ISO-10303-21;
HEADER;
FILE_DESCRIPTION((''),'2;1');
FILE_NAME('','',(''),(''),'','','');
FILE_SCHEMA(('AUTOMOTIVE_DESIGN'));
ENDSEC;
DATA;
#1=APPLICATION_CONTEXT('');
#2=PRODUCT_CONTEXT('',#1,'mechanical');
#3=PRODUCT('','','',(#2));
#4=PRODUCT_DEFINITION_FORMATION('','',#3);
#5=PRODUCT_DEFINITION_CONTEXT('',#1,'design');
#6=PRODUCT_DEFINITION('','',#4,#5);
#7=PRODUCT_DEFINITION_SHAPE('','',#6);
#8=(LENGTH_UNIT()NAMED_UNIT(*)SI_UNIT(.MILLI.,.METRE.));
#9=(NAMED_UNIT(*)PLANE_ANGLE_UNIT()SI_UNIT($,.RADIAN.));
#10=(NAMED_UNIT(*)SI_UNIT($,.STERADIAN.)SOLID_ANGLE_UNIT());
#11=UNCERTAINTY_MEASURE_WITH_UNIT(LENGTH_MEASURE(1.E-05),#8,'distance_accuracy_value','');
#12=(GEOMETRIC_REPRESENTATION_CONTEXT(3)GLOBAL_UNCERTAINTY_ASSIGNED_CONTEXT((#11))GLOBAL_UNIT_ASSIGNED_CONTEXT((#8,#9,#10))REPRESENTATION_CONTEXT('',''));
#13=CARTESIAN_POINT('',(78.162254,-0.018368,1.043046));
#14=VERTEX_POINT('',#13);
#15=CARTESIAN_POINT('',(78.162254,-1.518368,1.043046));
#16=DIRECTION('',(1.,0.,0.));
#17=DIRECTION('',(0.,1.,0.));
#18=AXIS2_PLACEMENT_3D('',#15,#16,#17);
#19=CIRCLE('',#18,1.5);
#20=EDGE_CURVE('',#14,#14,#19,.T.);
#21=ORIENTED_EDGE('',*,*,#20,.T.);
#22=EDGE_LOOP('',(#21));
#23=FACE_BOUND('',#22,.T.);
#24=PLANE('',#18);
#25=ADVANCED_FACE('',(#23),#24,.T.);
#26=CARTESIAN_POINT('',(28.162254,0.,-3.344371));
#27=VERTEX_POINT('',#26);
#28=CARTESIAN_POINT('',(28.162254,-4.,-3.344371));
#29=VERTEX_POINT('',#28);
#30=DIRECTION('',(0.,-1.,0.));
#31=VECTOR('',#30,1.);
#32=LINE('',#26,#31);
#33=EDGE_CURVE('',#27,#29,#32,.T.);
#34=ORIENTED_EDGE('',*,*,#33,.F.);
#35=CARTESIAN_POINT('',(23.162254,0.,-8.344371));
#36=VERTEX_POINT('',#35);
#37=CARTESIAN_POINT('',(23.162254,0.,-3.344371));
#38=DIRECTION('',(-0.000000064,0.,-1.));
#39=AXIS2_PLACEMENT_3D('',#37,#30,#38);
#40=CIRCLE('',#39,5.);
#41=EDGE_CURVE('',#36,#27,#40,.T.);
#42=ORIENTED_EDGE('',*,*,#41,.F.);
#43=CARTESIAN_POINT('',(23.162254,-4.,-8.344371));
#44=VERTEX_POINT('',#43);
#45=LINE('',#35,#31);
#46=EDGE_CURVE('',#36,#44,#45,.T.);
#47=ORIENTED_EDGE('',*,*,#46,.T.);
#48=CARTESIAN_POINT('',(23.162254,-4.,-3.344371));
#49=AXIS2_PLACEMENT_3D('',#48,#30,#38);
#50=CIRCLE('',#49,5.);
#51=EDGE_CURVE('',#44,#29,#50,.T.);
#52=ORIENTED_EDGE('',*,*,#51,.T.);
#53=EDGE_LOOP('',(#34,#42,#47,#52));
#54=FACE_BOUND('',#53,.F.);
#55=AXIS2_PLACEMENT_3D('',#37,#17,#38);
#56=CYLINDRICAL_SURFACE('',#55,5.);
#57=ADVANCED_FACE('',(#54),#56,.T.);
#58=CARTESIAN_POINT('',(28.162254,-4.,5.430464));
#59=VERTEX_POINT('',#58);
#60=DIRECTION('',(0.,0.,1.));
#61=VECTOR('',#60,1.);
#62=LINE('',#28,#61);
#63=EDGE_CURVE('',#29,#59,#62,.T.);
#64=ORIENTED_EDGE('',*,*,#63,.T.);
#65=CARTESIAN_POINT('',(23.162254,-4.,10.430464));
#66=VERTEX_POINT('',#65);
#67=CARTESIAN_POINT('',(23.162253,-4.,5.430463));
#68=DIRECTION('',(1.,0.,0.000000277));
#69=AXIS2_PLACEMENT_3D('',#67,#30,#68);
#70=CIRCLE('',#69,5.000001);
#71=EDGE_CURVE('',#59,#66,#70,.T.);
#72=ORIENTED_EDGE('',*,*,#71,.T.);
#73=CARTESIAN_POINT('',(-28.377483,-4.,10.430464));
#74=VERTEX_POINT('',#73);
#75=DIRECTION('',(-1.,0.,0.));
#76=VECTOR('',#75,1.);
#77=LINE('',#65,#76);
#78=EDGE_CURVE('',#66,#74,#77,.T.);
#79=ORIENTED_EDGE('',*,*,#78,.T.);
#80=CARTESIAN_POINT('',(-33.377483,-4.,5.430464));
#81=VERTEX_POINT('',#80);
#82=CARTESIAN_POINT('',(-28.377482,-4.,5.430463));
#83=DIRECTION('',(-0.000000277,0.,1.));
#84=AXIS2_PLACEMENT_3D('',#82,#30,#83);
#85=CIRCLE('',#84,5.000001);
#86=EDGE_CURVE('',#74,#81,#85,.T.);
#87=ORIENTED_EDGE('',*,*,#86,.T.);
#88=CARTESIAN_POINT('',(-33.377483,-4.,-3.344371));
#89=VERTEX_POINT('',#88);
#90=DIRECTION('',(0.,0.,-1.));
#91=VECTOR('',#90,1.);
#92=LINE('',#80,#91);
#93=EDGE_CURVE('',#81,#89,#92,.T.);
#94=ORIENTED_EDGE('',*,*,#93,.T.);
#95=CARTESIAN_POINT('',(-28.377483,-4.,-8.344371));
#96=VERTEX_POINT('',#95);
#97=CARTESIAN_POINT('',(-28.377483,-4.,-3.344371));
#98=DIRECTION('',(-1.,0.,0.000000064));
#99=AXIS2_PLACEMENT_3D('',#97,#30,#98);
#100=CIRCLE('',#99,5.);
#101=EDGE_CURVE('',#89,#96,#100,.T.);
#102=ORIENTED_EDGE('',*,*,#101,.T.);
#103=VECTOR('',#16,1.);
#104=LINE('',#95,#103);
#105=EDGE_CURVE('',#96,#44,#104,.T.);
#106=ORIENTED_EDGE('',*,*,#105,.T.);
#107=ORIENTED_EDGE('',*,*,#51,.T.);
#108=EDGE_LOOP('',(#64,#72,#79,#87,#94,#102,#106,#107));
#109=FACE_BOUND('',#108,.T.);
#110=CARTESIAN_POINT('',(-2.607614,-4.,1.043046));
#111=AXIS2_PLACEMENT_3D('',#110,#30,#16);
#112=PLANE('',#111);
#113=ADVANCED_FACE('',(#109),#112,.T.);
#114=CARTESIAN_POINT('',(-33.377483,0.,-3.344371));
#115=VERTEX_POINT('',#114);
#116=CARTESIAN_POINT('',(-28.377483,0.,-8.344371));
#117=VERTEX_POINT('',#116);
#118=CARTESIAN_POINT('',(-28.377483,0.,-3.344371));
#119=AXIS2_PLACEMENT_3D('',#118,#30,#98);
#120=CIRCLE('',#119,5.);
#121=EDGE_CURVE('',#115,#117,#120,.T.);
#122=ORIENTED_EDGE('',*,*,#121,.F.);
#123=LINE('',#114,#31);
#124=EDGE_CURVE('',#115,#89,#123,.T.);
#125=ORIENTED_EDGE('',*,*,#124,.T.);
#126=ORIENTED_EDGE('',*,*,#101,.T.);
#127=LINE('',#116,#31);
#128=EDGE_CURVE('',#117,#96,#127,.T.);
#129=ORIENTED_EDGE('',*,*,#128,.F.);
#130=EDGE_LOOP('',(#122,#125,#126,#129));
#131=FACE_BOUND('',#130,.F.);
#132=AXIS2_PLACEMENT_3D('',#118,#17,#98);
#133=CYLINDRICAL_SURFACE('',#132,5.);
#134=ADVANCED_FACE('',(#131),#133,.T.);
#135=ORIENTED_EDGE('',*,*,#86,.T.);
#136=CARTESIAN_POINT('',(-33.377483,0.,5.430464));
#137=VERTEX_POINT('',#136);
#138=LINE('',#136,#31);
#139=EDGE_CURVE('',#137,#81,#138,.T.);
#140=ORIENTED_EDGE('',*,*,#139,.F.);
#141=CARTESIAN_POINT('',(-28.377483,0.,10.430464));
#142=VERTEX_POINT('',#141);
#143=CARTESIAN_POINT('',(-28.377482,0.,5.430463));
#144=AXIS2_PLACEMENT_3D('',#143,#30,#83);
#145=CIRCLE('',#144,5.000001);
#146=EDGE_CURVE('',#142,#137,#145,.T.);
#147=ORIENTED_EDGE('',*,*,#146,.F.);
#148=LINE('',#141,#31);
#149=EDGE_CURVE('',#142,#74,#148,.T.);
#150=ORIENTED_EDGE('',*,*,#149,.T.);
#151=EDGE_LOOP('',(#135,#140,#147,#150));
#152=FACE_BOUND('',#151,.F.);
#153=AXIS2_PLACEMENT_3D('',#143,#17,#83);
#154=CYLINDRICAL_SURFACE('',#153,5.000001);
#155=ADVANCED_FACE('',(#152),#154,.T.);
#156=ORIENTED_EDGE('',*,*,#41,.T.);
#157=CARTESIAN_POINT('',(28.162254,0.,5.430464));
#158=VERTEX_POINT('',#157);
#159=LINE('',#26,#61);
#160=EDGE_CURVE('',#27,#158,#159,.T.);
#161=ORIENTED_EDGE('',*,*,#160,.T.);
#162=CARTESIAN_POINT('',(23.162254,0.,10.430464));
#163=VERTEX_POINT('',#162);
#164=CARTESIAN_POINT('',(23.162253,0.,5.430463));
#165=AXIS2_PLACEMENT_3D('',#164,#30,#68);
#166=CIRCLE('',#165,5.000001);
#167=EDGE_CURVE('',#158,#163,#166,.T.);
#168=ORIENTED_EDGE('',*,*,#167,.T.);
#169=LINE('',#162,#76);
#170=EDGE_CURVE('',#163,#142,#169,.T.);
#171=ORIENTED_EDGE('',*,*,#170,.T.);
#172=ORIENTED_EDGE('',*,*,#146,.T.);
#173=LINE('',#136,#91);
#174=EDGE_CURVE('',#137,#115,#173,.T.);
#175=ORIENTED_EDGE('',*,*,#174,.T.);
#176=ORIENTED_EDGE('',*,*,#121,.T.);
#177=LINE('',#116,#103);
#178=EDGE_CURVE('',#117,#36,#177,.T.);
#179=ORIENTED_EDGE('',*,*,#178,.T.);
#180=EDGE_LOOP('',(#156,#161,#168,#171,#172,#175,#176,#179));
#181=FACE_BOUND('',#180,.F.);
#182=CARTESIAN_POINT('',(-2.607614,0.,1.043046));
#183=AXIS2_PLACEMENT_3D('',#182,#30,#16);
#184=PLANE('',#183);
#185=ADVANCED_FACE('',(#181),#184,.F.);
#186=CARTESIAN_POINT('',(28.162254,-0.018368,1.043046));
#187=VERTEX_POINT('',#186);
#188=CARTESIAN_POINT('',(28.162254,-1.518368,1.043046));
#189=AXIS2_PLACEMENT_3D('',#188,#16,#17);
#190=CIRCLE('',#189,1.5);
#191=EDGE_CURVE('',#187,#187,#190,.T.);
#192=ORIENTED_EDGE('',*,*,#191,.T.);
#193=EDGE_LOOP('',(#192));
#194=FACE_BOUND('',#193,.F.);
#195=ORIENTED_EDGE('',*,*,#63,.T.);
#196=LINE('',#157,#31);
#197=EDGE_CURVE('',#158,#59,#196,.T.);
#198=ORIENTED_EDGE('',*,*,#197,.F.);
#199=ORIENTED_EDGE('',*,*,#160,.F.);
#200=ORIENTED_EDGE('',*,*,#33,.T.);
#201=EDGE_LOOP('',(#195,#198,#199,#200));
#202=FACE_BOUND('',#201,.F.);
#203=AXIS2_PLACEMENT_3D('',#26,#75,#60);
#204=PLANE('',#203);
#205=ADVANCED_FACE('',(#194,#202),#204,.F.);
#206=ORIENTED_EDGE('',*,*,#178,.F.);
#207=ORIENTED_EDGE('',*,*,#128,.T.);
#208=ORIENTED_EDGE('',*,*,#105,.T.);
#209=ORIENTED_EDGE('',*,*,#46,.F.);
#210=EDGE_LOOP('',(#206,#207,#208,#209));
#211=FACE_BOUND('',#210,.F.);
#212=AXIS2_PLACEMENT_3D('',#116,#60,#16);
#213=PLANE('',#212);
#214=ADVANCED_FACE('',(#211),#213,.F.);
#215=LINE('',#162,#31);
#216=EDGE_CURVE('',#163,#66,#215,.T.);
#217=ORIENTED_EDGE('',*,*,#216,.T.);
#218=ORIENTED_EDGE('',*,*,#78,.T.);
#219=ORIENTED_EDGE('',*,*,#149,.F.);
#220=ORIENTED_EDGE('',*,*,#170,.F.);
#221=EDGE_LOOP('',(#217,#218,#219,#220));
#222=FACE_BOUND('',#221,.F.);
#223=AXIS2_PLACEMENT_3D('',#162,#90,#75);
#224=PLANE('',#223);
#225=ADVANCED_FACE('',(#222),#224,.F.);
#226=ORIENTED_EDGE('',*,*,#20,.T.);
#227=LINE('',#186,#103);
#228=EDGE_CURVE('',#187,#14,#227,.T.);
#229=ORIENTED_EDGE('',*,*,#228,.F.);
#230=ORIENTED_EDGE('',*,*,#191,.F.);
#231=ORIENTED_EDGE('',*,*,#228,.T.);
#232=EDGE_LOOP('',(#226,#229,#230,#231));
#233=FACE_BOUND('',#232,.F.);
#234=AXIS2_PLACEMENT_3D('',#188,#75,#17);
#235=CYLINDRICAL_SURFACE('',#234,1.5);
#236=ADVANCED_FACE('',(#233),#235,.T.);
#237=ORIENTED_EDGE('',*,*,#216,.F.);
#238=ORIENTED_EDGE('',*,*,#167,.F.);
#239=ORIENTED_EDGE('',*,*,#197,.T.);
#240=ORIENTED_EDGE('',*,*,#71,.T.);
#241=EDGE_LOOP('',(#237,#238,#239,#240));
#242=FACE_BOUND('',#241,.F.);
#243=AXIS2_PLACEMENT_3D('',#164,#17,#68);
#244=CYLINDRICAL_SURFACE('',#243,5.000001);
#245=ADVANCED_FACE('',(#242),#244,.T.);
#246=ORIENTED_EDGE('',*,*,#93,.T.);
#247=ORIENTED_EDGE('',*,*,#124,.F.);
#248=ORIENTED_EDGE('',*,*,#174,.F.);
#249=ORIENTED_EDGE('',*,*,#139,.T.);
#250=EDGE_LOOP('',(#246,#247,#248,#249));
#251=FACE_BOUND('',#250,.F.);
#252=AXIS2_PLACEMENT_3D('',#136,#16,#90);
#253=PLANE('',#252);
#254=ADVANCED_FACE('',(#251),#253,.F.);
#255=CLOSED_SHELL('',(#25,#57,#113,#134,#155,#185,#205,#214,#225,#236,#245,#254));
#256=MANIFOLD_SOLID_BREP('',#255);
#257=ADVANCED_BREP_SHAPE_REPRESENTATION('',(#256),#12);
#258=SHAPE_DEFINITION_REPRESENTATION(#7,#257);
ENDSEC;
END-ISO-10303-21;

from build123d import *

# Parameters (mm, degrees)
F1_DEPTH = 4
F2_R     = 1.5
F3_DEPTH = 50


with BuildPart() as f1:
    # F0 (on Front) → F1 (new body)
    with BuildSketch(Plane.XZ):
        with BuildLine():
            Line((23.162254, 10.430464), (-28.377483, 10.430464))
            ThreePointArc((-28.377483, 10.430464), (-31.913017, 8.965997), (-33.377483, 5.430464))
            Line((-33.377483, 5.430464), (-33.377483, -3.344371))
            ThreePointArc((-33.377483, -3.344371), (-31.913017, -6.879905), (-28.377483, -8.344371))
            Line((-28.377483, -8.344371), (23.162254, -8.344371))
            ThreePointArc((23.162254, -8.344371), (26.697788, -6.879905), (28.162254, -3.344371))
            Line((28.162254, -3.344371), (28.162254, 5.430464))
            ThreePointArc((28.162254, 5.430464), (26.697788, 8.965997), (23.162254, 10.430464))
        make_face()
    extrude(amount=F1_DEPTH)

    # F2 (on face) → F3 (join)
    with BuildSketch(Plane.YZ.offset(28.162254)):
        with Locations((-1.518368, 1.043046)):
            Circle(F2_R)
    extrude(amount=F3_DEPTH)


solid = f1.part
